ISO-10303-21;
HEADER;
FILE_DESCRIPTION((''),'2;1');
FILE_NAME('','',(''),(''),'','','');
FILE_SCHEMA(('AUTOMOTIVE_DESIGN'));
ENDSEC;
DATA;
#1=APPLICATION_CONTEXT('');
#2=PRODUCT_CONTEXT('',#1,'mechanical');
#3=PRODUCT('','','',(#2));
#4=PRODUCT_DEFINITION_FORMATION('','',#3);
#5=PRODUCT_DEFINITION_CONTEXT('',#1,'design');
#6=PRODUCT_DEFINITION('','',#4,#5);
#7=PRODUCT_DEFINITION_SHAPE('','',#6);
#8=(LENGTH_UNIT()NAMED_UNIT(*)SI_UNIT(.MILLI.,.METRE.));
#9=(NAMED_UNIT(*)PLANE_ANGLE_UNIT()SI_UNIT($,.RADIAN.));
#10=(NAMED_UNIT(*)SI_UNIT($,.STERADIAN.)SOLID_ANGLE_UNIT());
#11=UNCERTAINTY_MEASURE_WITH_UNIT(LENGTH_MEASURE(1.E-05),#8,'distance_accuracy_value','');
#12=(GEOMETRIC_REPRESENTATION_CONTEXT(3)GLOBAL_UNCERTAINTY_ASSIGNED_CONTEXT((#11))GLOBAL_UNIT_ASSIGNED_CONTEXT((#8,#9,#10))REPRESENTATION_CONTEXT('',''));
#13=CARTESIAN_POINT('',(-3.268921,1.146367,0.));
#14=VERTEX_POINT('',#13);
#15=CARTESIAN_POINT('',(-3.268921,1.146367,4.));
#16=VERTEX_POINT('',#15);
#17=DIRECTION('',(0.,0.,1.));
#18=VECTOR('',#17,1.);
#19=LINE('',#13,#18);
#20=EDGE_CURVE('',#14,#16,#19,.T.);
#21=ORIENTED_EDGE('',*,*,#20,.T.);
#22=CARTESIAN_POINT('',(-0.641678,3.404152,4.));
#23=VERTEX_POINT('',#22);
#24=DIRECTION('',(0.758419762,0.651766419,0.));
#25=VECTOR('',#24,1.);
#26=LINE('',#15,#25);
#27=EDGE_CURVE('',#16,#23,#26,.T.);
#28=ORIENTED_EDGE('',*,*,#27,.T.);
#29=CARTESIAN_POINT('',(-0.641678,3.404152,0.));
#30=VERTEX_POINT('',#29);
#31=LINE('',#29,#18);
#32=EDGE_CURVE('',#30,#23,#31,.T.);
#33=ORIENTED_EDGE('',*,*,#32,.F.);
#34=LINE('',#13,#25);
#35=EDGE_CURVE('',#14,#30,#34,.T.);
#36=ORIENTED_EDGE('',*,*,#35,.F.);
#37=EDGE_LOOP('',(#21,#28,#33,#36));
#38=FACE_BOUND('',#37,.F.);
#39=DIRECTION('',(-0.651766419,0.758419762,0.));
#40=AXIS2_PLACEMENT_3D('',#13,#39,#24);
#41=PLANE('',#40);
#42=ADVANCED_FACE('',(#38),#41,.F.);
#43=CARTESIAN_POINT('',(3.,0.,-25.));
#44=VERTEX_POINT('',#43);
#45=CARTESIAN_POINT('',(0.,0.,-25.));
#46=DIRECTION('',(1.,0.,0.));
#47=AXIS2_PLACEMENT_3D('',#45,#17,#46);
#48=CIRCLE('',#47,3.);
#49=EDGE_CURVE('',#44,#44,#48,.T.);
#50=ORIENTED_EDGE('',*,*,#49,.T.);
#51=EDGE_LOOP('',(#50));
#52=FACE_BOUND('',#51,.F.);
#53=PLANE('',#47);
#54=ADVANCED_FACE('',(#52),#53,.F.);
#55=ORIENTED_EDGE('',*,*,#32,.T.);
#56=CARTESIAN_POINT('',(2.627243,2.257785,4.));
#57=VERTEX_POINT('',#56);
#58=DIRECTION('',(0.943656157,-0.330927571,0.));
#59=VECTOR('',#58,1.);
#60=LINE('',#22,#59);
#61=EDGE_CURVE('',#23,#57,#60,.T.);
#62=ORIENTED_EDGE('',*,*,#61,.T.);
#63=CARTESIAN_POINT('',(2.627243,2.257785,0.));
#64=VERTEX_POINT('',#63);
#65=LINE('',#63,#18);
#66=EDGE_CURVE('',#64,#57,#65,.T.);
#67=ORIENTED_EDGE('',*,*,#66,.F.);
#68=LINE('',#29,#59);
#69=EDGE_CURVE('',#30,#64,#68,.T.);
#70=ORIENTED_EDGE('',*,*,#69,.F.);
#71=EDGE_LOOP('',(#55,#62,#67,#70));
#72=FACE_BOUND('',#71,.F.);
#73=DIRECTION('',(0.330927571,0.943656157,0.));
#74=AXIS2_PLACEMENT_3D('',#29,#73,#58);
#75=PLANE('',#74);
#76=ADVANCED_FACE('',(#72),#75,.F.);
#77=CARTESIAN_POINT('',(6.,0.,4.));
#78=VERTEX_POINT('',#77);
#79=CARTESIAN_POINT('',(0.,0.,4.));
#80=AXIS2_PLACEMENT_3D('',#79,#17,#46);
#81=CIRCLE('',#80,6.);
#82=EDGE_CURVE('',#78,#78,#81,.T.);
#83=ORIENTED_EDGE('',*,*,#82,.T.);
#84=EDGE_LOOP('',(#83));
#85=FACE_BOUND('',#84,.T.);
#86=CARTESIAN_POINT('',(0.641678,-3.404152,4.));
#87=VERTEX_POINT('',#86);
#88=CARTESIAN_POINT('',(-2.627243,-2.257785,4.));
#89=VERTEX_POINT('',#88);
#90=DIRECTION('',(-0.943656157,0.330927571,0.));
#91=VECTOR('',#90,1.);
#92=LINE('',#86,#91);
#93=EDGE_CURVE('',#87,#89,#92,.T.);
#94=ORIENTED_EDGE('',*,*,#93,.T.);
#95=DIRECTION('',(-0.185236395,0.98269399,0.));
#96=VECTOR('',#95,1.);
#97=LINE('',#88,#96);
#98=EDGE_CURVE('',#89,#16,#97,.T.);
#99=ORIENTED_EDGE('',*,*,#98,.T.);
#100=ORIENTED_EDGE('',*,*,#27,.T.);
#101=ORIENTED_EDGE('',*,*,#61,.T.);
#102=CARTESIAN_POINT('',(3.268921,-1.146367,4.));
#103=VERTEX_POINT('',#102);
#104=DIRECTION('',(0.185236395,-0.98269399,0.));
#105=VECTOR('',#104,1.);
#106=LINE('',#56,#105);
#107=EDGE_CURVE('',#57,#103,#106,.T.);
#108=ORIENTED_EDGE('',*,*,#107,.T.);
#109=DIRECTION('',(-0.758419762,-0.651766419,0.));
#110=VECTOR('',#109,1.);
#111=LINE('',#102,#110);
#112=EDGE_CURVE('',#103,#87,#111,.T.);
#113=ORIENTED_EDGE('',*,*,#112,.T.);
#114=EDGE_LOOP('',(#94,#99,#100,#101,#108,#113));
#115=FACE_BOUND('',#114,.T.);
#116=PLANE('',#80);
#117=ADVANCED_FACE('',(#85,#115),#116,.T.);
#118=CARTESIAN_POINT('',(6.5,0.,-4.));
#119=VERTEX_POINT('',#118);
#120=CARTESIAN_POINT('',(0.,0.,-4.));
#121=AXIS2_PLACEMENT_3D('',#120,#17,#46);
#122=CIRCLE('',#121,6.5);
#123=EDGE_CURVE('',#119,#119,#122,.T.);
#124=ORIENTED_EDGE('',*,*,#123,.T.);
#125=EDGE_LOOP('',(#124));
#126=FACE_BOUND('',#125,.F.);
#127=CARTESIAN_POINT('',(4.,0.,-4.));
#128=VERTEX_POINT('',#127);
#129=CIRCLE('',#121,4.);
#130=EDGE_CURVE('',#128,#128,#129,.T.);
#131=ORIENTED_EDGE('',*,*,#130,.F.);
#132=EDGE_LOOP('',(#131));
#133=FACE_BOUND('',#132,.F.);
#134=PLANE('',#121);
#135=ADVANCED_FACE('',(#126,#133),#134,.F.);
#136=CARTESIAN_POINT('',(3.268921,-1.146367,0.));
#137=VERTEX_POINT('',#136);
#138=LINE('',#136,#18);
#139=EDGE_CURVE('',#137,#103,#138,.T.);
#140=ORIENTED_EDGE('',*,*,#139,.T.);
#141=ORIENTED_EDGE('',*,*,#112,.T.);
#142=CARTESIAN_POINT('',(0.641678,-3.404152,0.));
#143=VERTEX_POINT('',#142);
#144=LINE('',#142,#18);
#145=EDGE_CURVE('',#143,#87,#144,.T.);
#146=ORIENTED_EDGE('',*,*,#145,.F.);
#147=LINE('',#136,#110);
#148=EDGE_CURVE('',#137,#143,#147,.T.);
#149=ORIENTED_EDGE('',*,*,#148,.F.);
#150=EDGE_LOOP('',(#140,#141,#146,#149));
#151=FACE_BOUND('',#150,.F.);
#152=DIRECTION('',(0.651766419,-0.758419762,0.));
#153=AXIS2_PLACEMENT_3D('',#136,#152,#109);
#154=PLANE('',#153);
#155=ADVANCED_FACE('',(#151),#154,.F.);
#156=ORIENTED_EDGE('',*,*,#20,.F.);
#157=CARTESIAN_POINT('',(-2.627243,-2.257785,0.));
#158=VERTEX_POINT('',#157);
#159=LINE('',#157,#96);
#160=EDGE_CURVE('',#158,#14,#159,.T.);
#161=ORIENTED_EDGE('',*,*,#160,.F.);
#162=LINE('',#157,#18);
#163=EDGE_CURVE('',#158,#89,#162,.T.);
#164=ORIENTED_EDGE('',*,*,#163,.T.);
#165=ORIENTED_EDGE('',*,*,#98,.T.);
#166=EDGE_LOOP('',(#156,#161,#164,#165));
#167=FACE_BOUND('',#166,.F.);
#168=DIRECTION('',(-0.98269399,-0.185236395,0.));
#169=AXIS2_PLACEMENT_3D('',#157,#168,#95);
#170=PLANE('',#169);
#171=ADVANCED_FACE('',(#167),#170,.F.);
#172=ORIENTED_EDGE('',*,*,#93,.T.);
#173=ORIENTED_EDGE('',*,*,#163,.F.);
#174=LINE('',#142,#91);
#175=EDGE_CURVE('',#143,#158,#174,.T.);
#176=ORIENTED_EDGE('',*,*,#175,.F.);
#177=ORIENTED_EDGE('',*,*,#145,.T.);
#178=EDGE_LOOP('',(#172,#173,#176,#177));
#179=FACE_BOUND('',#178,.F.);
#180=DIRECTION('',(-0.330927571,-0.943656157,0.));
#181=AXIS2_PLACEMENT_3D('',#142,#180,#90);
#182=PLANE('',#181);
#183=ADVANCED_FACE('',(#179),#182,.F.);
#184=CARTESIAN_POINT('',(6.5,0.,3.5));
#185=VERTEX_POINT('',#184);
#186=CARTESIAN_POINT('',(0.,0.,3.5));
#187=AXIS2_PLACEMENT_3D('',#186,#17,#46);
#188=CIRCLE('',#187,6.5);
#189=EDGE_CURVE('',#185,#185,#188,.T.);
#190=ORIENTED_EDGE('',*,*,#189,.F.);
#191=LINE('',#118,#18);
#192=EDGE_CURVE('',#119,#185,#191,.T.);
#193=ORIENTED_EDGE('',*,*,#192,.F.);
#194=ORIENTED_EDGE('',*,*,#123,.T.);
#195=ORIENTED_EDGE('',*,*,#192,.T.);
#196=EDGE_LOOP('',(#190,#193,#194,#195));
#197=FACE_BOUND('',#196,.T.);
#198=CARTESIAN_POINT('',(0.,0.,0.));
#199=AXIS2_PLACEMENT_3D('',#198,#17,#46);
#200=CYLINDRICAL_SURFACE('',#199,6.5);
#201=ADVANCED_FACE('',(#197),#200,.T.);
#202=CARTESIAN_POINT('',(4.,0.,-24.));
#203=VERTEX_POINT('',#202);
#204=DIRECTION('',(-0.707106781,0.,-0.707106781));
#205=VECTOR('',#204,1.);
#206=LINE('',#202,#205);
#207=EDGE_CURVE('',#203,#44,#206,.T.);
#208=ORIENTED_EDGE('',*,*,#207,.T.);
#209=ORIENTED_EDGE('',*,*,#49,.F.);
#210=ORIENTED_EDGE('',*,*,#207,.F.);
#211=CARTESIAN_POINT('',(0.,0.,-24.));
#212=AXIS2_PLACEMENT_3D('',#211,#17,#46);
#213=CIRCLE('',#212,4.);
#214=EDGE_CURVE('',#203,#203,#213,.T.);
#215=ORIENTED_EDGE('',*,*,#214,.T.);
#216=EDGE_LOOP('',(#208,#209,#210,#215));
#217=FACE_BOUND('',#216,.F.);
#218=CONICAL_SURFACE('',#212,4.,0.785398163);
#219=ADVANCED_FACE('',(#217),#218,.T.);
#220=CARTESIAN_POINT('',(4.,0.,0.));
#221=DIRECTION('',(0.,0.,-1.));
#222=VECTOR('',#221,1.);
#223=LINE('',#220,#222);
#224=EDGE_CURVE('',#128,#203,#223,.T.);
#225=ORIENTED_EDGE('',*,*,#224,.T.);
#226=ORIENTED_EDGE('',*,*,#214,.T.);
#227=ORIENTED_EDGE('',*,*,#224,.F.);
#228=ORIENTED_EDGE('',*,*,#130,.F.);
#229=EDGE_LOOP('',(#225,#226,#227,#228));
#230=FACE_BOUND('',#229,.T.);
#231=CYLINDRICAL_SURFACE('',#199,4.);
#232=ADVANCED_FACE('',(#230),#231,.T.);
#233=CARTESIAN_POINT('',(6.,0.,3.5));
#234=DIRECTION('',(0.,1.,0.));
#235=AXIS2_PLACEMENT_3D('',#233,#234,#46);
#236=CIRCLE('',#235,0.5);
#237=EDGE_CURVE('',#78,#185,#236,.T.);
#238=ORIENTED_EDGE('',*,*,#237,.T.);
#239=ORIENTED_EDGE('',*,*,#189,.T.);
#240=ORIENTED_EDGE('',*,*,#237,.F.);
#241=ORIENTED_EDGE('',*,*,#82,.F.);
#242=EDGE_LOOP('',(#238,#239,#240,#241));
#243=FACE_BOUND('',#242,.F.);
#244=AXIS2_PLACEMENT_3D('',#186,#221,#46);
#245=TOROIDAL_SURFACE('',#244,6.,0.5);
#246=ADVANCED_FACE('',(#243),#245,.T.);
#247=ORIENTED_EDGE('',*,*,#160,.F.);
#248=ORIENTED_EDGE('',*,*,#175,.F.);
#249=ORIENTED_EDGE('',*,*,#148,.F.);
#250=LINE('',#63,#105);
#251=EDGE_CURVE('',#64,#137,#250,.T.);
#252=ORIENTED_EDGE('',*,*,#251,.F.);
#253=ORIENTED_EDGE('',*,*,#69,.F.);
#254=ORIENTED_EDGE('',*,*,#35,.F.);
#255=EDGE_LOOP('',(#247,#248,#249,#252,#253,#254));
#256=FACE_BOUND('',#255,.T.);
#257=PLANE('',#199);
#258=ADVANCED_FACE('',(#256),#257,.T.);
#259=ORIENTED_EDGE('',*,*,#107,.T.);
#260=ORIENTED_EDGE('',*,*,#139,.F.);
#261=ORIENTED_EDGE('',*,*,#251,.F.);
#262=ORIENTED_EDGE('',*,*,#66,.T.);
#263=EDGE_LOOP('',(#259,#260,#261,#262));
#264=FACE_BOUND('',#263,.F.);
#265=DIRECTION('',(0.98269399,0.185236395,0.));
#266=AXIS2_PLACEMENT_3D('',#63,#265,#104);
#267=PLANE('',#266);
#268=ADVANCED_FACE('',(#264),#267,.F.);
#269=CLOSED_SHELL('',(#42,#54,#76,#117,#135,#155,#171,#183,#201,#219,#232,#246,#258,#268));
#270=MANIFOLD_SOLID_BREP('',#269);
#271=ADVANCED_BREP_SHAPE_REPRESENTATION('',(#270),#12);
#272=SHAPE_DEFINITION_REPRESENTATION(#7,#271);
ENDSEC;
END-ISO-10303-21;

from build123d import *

# Parameters (mm, degrees)
F0_R     = 6.5
F0_R_2   = 4
F1_DEPTH = 4
F2_DEPTH = 4
F3_DEPTH = 25
F4_R     = 0.5
F5_SIZE  = 1


with BuildPart() as f1:
    # F0 (on Top) → F1 (new body)
    with BuildSketch(Plane.XY):
        Circle(F0_R)
        Circle(F0_R_2, mode=Mode.SUBTRACT)
        Circle(F0_R_2)
        Polygon((-2.6272431226, -2.2577851038), (-3.2689208174, 1.1463667342), (-0.6416776948, 3.404151838), (2.6272431226, 2.2577851038), (3.2689208174, -1.1463667342), (0.6416776948, -3.404151838), align=None, mode=Mode.SUBTRACT)
        Polygon((-0.6416776948, 3.404151838), (-3.2689208174, 1.1463667342), (-2.6272431226, -2.2577851038), (0.6416776948, -3.404151838), (3.2689208174, -1.1463667342), (2.6272431226, 2.2577851038), align=None)
    extrude(amount=-F1_DEPTH)

    # F0 (on Top) → F2 (join)
    with BuildSketch(Plane.XY):
        Circle(F0_R)
        Circle(F0_R_2, mode=Mode.SUBTRACT)
        Circle(F0_R_2)
        Polygon((-2.6272431226, -2.2577851038), (-3.2689208174, 1.1463667342), (-0.6416776948, 3.404151838), (2.6272431226, 2.2577851038), (3.2689208174, -1.1463667342), (0.6416776948, -3.404151838), align=None, mode=Mode.SUBTRACT)
    extrude(amount=F2_DEPTH)

    # F0 (on Top) → F3 (join)
    with BuildSketch(Plane.XY):
        Circle(F0_R_2)
        Polygon((-2.6272431226, -2.2577851038), (-3.2689208174, 1.1463667342), (-0.6416776948, 3.404151838), (2.6272431226, 2.2577851038), (3.2689208174, -1.1463667342), (0.6416776948, -3.404151838), align=None, mode=Mode.SUBTRACT)
        Polygon((-0.6416776948, 3.404151838), (-3.2689208174, 1.1463667342), (-2.6272431226, -2.2577851038), (0.6416776948, -3.404151838), (3.2689208174, -1.1463667342), (2.6272431226, 2.2577851038), align=None)
    extrude(amount=-F3_DEPTH)

    # F4
    f4_edges = [f1.edges().sort_by_distance(p)[0] for p in [
        (-6.5, 0, 4),
    ]]
    fillet(f4_edges, radius=F4_R)

    # F5
    f5_edges = [f1.edges().sort_by_distance(p)[0] for p in [
        (-4, 0, -25),
    ]]
    chamfer(f5_edges, length=F5_SIZE)


solid = f1.part
